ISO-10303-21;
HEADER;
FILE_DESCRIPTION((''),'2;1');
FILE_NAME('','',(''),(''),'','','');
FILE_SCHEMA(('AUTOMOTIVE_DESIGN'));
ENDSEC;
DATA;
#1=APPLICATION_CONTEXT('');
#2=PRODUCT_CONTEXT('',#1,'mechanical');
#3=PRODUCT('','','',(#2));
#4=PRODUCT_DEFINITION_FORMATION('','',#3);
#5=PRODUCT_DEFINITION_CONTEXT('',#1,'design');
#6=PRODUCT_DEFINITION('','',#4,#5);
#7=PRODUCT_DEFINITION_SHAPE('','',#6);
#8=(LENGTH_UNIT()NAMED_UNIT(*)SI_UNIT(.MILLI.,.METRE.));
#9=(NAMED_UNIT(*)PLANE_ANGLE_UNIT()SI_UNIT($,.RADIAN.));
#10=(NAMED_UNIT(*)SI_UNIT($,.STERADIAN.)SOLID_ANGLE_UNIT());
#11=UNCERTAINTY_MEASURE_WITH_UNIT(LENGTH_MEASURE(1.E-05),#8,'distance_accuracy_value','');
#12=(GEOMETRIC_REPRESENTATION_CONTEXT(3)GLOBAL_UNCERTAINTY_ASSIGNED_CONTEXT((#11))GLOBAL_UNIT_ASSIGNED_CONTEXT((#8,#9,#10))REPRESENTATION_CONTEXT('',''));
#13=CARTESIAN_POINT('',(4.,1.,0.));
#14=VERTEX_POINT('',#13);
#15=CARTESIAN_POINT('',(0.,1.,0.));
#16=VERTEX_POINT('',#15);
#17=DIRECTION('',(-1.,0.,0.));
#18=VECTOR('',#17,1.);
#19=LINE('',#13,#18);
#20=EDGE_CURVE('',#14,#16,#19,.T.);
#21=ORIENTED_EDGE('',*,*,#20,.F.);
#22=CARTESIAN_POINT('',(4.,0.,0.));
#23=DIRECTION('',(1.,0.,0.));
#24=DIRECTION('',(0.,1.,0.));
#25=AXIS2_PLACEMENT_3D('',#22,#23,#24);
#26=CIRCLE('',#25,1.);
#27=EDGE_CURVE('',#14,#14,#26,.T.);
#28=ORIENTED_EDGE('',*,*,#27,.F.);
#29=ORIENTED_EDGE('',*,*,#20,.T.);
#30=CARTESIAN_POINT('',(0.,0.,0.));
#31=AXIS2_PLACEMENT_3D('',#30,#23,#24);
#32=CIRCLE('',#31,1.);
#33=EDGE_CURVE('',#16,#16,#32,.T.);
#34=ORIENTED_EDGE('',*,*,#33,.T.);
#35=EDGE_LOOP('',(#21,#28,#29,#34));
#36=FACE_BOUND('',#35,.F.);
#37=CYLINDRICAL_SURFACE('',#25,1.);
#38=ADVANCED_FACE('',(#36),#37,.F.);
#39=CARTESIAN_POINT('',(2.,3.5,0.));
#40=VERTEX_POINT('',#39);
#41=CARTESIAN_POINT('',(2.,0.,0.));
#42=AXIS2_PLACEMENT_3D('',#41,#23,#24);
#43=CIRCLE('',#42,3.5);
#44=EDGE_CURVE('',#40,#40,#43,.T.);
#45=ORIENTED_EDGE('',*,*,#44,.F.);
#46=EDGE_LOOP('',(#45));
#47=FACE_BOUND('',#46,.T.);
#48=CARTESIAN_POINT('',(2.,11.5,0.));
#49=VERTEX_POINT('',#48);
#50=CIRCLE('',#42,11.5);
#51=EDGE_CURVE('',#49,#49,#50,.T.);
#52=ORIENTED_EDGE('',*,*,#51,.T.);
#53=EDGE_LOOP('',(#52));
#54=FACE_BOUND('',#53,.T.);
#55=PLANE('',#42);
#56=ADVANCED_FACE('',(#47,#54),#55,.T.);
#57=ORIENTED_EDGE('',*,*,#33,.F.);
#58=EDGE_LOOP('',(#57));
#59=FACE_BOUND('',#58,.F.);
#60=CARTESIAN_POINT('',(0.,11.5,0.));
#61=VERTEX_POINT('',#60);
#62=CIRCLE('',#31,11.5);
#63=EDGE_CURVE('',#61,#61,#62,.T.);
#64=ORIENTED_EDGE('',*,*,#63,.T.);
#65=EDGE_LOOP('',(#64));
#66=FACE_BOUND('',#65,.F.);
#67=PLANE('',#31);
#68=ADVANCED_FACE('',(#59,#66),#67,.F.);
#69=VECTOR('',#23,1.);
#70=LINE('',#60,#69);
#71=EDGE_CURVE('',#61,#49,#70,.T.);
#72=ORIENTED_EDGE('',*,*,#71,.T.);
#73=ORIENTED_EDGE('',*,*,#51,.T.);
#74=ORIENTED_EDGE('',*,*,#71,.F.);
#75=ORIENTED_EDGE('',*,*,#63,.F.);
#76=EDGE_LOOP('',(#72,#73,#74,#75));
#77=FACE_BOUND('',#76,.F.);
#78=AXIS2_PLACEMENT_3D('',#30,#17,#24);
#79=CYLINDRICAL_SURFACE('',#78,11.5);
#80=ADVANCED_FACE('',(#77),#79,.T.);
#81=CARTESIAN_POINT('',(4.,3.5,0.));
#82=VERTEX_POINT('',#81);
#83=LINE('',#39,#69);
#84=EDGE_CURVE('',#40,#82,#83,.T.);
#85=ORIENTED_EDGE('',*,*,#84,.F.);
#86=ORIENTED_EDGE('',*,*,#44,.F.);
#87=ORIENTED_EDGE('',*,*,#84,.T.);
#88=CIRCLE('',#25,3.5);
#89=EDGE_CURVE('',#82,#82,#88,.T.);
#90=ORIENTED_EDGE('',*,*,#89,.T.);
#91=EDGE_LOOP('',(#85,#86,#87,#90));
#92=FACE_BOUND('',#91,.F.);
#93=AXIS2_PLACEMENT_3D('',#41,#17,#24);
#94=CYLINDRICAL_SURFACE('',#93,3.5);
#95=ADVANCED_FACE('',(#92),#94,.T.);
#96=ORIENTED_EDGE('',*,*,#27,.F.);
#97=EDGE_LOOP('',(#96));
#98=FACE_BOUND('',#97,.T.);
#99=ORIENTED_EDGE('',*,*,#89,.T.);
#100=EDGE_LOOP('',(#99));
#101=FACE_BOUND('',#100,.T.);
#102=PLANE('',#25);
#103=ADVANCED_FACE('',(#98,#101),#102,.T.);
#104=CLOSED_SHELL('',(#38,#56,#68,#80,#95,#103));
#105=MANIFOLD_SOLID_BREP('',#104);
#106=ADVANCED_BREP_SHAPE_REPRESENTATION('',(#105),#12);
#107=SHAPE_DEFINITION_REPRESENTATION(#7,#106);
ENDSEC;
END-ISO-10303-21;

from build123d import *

# Parameters (mm, degrees)
F0_R     = 11.5
F1_DEPTH = 2
F2_R     = 3.5
F3_DEPTH = 2
F4_R     = 1
F5_DEPTH = 4.001


with BuildPart() as f1:
    # F0 (on Right) → F1 (new body)
    with BuildSketch(Plane.YZ):
        Circle(F0_R)
    extrude(amount=F1_DEPTH)

    # F2 (on face) → F3 (join)
    with BuildSketch(Plane.YZ.offset(2)):
        Circle(F2_R)
    extrude(amount=F3_DEPTH)

    # F4 (on face) → F5 (cut, through all)
    with BuildSketch(Plane.YZ.offset(4)):
        Circle(F4_R)
    extrude(amount=-F5_DEPTH, mode=Mode.SUBTRACT)


solid = f1.part
